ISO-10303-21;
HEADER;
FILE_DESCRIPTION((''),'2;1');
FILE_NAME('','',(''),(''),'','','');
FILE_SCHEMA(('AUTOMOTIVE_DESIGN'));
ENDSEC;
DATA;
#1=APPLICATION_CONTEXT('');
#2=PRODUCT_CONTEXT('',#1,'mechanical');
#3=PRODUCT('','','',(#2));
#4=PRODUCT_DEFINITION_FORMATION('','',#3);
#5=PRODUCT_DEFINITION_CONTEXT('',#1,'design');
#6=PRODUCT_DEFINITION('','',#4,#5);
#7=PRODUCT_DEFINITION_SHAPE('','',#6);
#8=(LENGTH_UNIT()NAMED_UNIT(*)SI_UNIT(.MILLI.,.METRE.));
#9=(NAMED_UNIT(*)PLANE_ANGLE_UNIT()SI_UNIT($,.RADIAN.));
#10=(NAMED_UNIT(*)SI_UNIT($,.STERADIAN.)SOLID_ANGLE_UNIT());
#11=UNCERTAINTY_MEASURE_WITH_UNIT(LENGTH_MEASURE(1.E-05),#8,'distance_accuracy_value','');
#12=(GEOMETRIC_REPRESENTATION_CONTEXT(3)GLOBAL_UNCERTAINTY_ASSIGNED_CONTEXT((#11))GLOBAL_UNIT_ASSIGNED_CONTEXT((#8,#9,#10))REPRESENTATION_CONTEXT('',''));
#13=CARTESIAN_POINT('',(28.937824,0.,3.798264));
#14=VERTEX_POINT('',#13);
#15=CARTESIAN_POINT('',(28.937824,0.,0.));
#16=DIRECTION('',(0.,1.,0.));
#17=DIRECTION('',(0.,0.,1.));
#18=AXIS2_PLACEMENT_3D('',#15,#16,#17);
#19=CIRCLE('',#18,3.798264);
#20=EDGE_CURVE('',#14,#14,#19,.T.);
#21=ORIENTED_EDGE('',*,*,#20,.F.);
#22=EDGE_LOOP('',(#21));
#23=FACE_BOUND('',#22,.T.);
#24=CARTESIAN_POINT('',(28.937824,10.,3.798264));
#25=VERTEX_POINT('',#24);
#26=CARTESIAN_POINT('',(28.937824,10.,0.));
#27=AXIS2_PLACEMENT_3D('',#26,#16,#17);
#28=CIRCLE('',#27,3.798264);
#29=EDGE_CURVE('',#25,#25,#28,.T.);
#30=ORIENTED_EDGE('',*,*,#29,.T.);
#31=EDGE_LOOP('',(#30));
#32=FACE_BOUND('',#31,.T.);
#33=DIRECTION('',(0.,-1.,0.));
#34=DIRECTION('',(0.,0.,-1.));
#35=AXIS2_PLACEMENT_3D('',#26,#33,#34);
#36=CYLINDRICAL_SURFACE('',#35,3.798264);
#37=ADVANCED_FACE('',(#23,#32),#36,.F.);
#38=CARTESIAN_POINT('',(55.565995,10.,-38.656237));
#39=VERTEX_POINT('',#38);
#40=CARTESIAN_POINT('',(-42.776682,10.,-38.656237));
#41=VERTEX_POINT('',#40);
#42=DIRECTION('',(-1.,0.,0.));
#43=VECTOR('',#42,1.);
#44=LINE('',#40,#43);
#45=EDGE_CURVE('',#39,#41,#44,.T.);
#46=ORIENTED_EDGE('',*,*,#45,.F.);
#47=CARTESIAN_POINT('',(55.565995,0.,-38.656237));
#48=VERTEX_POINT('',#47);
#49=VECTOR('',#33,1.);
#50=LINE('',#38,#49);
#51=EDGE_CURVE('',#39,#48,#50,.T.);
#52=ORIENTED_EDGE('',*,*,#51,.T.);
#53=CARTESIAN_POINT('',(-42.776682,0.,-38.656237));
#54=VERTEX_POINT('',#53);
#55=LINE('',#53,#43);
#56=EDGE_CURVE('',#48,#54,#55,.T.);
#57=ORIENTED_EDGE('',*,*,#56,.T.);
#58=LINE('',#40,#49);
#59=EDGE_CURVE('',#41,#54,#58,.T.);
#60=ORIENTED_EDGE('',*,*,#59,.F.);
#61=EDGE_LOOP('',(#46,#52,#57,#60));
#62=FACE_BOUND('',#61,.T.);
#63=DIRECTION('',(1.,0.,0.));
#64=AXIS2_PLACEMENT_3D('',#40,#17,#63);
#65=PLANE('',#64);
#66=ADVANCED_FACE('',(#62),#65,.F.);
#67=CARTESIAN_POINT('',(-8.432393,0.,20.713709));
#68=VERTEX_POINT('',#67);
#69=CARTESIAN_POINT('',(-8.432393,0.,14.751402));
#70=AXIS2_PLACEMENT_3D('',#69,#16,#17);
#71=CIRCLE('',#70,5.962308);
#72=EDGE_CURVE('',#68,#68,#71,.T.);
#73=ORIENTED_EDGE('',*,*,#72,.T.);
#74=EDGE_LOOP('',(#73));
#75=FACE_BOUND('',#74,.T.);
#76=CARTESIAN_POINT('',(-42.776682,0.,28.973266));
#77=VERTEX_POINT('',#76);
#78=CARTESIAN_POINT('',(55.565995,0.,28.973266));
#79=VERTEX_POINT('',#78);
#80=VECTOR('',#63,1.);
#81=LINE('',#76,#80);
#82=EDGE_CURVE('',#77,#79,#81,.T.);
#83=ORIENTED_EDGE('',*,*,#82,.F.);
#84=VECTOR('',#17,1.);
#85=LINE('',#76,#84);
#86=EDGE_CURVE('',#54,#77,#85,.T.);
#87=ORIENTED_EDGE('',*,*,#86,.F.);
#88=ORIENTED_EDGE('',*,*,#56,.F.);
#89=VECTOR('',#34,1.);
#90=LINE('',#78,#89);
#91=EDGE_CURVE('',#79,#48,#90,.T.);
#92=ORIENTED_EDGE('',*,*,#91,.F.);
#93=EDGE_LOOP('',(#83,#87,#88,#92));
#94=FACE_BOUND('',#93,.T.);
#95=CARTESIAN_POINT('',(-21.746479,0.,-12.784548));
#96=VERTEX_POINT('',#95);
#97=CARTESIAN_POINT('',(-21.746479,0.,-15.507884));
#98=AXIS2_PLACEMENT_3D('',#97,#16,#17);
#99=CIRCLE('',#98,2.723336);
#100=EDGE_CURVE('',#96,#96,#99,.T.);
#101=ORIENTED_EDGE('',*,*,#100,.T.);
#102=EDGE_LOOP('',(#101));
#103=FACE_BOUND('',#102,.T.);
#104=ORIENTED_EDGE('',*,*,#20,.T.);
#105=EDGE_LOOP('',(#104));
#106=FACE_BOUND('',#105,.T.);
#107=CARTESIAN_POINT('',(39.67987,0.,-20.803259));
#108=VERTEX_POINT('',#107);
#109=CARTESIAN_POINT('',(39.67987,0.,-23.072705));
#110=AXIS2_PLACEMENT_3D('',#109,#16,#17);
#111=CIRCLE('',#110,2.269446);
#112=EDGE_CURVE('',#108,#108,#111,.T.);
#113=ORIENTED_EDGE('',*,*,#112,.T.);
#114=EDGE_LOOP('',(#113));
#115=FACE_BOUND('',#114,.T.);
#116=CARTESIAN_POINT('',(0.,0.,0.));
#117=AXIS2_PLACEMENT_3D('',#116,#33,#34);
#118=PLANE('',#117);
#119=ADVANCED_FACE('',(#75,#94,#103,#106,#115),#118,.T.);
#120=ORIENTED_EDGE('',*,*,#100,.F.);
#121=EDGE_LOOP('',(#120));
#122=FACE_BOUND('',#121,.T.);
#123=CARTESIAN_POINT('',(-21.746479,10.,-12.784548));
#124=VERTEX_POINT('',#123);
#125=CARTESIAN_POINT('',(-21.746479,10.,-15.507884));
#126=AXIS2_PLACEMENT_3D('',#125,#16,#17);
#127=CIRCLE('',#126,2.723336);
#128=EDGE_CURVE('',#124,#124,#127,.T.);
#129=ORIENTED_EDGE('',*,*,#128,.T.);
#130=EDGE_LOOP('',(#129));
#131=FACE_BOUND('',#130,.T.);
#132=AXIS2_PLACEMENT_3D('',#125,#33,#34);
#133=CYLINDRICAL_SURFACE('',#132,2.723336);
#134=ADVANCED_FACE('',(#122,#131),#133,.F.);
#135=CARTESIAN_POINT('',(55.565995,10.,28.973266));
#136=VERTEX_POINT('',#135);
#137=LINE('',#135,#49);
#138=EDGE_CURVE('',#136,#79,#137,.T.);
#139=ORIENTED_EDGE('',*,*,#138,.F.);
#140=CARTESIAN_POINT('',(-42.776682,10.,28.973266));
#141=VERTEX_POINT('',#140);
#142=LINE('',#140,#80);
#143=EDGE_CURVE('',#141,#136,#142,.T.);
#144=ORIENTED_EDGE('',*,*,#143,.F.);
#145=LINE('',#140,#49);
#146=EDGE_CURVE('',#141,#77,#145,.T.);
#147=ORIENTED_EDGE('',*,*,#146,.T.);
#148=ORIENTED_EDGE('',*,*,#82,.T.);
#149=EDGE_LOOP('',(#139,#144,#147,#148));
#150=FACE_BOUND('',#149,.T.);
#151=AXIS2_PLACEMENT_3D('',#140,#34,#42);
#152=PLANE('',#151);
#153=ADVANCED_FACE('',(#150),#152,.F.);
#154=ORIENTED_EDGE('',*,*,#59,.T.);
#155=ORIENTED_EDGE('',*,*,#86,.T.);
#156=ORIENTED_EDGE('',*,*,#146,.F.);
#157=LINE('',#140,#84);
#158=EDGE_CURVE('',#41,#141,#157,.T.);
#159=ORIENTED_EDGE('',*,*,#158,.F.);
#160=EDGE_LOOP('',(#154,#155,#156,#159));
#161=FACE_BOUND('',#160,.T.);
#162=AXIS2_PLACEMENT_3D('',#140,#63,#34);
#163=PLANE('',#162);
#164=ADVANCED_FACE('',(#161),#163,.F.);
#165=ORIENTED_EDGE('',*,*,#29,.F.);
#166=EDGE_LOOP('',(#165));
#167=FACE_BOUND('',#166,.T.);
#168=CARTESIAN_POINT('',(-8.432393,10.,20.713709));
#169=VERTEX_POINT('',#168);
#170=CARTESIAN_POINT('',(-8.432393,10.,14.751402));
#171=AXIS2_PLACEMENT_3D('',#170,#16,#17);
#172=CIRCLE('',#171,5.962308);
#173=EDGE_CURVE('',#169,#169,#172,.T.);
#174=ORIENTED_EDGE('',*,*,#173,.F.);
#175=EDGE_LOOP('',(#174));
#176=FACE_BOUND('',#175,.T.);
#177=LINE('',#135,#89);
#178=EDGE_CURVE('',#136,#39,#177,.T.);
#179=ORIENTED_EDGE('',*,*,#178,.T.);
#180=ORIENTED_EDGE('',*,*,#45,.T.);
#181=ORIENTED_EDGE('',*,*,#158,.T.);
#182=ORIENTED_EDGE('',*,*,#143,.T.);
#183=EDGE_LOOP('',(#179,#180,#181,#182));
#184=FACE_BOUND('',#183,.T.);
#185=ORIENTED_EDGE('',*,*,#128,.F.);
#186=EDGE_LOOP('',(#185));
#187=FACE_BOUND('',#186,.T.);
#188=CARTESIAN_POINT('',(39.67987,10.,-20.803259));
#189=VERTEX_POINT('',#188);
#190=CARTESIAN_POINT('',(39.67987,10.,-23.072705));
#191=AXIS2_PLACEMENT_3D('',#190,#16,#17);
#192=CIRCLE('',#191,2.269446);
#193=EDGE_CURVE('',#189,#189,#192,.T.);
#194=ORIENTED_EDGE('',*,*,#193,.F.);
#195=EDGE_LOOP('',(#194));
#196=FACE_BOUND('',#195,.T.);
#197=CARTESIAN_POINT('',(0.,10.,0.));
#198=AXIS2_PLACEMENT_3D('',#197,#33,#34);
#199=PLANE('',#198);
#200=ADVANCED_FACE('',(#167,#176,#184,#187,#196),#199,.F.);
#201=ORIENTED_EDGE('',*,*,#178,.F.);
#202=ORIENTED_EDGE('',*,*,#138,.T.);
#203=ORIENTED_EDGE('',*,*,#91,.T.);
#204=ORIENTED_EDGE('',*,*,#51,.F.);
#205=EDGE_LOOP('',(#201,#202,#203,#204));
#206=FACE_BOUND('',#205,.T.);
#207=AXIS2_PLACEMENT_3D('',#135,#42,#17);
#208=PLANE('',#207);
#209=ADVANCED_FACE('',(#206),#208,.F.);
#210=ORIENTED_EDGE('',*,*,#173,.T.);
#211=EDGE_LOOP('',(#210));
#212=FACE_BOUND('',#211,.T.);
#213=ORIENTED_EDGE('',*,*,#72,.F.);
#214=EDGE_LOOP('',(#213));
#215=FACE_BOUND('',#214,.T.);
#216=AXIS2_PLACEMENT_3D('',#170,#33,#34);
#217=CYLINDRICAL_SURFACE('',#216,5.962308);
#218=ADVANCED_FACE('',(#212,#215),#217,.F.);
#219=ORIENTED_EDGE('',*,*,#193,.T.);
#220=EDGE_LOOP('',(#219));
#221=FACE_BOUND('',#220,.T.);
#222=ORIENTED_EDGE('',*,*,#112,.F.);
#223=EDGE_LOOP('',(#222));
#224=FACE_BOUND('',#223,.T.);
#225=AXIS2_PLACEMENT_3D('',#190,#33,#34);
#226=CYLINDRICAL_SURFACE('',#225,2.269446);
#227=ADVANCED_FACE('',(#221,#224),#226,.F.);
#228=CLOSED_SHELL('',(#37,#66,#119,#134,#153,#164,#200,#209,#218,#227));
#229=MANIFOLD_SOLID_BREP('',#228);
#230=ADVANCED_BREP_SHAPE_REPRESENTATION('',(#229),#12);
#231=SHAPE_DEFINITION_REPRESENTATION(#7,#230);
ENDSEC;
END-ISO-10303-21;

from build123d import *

# Parameters (mm, degrees)
SKETCH1_W           = 98.342676945
SKETCH1_H           = 67.629502453
SKETCH1_R           = 2.269446391
SKETCH1_R_2         = 3.798263555
SKETCH1_R_3         = 5.962307864
SKETCH1_R_4         = 2.723335669
BOSS_EXTRUDE1_DEPTH = 10


with BuildPart() as part:
    # Sketch1 → Boss-Extrude1 (new body)
    with BuildSketch(Plane(origin=(0, 0, 0), x_dir=(1, 0, 0), z_dir=(0, 1, 0))):
        with Locations((6.394656623, 4.841485635)):
            Rectangle(SKETCH1_W, SKETCH1_H)
        with Locations(Location((39.679870357, 23.072704975, 0), (0, 0, 270))):
            Circle(SKETCH1_R, mode=Mode.SUBTRACT)
        with Locations(Location((28.937824107, 0, 0), (0, 0, 270))):
            Circle(SKETCH1_R_2, mode=Mode.SUBTRACT)
        with Locations(Location((-8.432393132, -14.751401542, 0), (0, 0, 270))):
            Circle(SKETCH1_R_3, mode=Mode.SUBTRACT)
        with Locations(Location((-21.746478626, 15.507883672, 0), (0, 0, 270))):
            Circle(SKETCH1_R_4, mode=Mode.SUBTRACT)
    extrude(amount=BOSS_EXTRUDE1_DEPTH)


solid = part.part
